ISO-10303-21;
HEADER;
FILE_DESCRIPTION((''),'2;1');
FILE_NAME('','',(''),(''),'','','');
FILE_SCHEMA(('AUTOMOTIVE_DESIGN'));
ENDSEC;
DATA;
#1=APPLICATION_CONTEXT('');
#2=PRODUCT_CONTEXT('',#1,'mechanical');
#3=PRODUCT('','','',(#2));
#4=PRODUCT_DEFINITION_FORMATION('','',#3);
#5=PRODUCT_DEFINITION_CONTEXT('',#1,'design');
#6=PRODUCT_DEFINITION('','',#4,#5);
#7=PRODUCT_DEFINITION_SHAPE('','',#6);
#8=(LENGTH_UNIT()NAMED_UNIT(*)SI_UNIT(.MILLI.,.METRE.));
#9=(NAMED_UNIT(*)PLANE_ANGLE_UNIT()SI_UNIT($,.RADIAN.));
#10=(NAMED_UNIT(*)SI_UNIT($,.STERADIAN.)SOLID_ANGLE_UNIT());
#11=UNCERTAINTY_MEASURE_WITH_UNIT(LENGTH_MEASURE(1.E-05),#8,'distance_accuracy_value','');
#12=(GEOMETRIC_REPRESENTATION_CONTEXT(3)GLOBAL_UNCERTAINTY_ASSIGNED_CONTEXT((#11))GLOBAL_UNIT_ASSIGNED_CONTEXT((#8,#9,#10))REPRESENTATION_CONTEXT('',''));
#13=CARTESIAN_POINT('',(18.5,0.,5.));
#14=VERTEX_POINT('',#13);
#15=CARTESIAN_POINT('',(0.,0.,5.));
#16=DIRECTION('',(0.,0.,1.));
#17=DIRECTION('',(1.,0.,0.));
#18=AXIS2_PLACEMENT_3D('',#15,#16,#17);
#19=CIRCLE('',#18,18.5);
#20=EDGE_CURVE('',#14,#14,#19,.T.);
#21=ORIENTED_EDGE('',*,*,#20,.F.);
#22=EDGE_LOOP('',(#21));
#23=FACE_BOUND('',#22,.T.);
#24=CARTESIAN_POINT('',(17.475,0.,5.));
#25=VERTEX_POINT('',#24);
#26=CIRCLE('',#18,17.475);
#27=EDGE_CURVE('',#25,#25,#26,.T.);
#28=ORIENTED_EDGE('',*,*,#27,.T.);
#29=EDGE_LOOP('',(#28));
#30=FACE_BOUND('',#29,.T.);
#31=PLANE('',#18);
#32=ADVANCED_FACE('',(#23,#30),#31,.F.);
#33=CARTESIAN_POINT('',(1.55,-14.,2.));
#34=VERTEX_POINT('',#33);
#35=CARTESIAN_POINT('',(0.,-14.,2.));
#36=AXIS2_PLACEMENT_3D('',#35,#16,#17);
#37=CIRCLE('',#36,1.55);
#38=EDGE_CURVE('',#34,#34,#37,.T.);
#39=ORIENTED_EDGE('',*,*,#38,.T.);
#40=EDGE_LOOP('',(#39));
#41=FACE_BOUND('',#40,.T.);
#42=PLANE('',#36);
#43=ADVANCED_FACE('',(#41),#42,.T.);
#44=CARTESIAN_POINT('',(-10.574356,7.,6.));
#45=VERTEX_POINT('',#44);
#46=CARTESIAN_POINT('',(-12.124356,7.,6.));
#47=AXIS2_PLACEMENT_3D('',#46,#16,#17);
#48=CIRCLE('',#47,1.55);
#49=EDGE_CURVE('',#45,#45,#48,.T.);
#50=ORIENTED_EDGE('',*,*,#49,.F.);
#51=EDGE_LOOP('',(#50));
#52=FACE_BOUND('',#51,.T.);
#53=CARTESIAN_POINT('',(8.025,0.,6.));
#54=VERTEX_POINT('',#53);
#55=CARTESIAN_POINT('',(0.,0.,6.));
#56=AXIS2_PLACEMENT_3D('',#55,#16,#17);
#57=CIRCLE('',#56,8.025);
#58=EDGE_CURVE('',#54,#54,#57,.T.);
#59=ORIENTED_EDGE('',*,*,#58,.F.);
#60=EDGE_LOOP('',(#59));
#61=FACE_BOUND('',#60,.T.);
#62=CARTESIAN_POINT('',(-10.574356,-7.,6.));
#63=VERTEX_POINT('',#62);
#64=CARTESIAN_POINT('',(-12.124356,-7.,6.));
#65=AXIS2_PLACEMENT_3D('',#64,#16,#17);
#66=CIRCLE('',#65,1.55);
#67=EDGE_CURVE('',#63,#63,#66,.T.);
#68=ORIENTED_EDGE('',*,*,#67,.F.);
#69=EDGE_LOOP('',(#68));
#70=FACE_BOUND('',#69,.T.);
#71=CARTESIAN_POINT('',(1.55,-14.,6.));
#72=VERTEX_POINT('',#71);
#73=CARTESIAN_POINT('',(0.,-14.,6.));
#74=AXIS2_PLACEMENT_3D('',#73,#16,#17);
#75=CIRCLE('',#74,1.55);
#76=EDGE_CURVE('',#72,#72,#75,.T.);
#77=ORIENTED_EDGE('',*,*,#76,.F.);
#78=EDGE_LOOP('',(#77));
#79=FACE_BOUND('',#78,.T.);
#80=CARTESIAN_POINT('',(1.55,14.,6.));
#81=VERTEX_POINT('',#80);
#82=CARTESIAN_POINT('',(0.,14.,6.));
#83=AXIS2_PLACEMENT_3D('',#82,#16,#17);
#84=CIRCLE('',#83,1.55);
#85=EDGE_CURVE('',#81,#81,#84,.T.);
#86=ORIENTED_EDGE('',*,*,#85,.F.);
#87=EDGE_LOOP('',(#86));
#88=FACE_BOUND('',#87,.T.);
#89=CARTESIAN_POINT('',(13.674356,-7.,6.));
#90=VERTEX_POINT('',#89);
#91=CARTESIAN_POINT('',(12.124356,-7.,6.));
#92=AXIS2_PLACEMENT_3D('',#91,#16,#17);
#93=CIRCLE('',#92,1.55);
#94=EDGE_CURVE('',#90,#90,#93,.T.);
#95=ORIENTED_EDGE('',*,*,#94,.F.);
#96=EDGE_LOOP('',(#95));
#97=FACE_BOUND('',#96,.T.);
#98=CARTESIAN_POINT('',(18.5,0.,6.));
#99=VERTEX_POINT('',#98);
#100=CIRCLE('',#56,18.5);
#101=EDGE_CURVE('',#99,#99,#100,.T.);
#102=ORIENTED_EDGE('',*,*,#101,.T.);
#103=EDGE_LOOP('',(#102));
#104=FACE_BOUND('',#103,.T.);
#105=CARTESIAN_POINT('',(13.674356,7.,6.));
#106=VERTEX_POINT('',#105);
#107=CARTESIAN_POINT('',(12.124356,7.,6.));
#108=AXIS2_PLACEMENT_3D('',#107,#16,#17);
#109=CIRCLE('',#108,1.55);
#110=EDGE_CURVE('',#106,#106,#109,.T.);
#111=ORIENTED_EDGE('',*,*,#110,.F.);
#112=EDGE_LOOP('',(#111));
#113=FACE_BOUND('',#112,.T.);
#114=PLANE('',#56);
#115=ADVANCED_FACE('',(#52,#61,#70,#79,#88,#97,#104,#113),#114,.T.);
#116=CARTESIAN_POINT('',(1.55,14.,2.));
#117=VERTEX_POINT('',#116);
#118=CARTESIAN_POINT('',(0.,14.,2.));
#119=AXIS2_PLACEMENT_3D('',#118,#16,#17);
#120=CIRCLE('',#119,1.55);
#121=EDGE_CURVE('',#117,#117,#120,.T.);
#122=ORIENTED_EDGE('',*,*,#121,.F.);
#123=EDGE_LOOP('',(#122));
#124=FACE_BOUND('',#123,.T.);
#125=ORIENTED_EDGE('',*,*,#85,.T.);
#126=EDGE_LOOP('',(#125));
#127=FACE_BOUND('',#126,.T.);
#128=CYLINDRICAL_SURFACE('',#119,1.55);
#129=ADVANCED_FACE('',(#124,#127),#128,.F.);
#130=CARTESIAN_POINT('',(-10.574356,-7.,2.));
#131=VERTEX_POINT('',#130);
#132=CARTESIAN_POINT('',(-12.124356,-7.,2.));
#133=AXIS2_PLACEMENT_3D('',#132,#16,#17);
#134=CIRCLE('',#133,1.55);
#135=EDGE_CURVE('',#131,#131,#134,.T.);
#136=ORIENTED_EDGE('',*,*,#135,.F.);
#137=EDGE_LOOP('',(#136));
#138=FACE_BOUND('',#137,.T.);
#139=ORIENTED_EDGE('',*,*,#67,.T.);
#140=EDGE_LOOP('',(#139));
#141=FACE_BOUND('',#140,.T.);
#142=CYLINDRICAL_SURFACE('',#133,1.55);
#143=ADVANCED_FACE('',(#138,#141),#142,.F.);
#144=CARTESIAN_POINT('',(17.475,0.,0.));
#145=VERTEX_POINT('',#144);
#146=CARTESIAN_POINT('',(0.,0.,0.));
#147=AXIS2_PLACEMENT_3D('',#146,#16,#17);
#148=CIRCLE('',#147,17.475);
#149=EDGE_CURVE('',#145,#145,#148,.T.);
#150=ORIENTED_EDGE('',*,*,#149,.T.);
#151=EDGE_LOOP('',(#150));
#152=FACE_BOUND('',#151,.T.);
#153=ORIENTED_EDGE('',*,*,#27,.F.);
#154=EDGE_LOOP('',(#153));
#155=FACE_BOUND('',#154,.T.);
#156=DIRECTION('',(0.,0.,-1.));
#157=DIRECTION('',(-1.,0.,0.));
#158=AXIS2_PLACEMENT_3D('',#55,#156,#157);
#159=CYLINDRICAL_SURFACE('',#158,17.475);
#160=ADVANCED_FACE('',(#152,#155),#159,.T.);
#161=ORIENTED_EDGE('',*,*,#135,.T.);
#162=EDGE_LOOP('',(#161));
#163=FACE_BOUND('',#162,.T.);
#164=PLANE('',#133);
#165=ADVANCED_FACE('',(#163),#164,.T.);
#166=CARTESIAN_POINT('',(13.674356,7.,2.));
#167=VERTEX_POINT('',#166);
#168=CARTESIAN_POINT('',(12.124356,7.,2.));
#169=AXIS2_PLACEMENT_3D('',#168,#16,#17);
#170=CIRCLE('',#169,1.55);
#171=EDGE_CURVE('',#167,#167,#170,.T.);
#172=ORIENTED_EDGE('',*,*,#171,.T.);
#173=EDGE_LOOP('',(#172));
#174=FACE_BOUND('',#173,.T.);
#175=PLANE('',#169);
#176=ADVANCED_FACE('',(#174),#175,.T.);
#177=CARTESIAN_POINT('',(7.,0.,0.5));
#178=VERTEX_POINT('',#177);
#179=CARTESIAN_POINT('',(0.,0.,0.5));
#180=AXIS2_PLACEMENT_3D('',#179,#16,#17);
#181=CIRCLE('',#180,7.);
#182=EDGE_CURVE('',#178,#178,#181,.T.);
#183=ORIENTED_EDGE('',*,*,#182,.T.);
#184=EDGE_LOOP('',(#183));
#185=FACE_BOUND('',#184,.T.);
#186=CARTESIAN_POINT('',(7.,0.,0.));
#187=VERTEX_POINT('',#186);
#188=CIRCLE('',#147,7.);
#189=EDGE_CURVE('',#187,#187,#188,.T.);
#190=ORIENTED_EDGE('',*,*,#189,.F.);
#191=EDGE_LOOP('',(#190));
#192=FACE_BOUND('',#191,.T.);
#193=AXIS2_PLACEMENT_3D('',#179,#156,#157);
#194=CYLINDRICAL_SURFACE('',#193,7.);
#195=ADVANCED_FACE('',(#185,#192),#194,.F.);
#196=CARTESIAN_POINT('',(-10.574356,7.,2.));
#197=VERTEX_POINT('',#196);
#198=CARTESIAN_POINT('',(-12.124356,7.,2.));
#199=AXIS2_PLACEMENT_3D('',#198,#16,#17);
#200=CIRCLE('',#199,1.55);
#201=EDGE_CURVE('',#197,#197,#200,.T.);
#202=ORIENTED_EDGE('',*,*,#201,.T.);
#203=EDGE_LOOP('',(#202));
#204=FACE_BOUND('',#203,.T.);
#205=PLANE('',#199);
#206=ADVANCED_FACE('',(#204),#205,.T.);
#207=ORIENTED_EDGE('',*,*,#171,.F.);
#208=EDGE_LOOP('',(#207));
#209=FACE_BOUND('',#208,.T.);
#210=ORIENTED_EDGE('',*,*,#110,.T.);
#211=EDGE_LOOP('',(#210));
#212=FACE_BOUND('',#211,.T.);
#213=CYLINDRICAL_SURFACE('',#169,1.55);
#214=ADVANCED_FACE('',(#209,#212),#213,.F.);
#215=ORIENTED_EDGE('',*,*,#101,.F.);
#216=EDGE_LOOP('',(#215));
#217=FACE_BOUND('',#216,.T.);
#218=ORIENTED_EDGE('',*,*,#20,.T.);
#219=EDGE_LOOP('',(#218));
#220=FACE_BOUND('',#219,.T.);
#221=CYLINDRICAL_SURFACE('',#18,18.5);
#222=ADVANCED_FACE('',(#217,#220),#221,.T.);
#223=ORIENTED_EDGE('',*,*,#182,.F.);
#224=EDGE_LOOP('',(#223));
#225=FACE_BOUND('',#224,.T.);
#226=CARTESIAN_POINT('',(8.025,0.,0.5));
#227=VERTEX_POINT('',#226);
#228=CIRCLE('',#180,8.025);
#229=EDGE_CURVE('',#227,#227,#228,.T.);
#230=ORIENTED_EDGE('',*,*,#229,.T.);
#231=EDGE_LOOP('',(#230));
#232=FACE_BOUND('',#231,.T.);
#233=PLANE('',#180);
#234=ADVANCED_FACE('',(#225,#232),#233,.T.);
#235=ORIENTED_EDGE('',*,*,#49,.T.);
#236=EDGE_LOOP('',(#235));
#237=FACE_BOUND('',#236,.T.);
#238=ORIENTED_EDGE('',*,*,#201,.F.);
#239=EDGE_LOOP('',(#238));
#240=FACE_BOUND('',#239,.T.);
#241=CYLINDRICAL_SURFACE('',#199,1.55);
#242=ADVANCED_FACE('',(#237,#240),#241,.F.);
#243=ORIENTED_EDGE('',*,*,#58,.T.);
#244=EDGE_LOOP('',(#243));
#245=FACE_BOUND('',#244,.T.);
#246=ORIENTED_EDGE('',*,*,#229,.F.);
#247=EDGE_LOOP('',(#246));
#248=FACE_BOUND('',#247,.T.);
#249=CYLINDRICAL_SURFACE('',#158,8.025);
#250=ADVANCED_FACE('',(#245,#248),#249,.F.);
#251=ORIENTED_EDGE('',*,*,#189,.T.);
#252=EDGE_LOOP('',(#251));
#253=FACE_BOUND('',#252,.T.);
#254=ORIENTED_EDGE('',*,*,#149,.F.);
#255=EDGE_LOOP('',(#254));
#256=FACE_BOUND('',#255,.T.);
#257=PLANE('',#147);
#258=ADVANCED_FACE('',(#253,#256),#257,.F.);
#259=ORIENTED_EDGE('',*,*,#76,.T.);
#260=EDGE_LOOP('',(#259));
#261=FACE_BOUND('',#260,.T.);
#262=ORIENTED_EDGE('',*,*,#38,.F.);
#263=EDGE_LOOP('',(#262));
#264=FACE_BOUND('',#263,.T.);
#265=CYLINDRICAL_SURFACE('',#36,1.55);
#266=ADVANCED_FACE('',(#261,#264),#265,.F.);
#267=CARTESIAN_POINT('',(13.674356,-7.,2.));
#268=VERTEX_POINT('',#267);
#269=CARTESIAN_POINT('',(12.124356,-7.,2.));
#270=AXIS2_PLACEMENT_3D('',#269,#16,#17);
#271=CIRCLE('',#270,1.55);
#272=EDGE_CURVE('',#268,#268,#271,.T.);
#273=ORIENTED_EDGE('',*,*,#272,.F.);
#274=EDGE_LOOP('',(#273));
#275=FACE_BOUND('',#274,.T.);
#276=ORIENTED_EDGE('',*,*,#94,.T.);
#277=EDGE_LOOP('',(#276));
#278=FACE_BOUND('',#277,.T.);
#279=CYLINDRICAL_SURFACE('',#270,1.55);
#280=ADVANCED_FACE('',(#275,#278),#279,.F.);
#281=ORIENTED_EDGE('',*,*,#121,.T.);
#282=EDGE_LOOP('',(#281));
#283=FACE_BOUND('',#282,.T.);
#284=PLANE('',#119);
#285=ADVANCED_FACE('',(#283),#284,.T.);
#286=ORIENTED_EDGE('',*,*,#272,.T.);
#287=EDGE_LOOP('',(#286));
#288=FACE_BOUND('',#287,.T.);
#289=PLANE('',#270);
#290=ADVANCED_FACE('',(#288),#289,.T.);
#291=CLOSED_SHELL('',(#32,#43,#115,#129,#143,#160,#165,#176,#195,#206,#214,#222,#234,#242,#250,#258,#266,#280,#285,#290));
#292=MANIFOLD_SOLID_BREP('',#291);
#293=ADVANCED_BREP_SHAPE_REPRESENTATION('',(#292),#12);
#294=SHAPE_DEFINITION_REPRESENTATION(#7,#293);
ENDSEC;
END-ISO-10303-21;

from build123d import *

# Parameters (mm, degrees)
SKETCH1_R           = 17.475
SKETCH1_R_2         = 8.025
BOSS_EXTRUDE1_DEPTH = 6
CUT_EXTRUDE1_START  = 6
SKETCH1_3_R         = 1.55
CUT_EXTRUDE1_DEPTH  = 4
BOSS_EXTRUDE2_START = 6
SKETCH2_R           = 18.5
SKETCH2_R_2         = 17.25
BOSS_EXTRUDE2_DEPTH = 1
SKETCH2_3_R         = 8.25
SKETCH2_3_R_2       = 7
BOSS_EXTRUDE3_DEPTH = 0.5


with BuildPart() as part:
    # Sketch1 → Boss-Extrude1 (new body)
    with BuildSketch(Plane.XY):
        Circle(SKETCH1_R)
        Circle(SKETCH1_R_2, mode=Mode.SUBTRACT)
    extrude(amount=BOSS_EXTRUDE1_DEPTH)

    # Sketch1<3> → Cut-Extrude1 (cut)
    with BuildSketch(Plane.XY.offset(CUT_EXTRUDE1_START)):
        with Locations((-12.124355653, 7)):
            Circle(SKETCH1_3_R)
        with BuildLine():
            ThreePointArc((0, 15.55), (-1.55, 14), (0, 12.45))
            Line((0, 12.45), (0, 15.55))
        make_face()
        with BuildLine():
            Line((0, 15.55), (0, 12.45))
            ThreePointArc((0, 12.45), (1.096015511, 12.903984489), (1.55, 14))
            ThreePointArc((1.55, 14), (1.096015511, 15.096015511), (0, 15.55))
        make_face()
        with Locations((12.124355653, 7)):
            Circle(SKETCH1_3_R)
        with Locations((12.124355653, -7)):
            Circle(SKETCH1_3_R)
        with Locations((0, -14)):
            Circle(SKETCH1_3_R)
        with Locations((-12.124355653, -7)):
            Circle(SKETCH1_3_R)
    extrude(amount=-CUT_EXTRUDE1_DEPTH, mode=Mode.SUBTRACT)

    # Sketch2 → Boss-Extrude2 (add)
    with BuildSketch(Plane.XY.offset(BOSS_EXTRUDE2_START)):
        Circle(SKETCH2_R)
        Circle(SKETCH2_R_2, mode=Mode.SUBTRACT)
    extrude(amount=-BOSS_EXTRUDE2_DEPTH)

    # Sketch2<3> → Boss-Extrude3 (add)
    with BuildSketch(Plane.XY):
        Circle(SKETCH2_3_R)
        Circle(SKETCH2_3_R_2, mode=Mode.SUBTRACT)
    extrude(amount=BOSS_EXTRUDE3_DEPTH)


solid = part.part
